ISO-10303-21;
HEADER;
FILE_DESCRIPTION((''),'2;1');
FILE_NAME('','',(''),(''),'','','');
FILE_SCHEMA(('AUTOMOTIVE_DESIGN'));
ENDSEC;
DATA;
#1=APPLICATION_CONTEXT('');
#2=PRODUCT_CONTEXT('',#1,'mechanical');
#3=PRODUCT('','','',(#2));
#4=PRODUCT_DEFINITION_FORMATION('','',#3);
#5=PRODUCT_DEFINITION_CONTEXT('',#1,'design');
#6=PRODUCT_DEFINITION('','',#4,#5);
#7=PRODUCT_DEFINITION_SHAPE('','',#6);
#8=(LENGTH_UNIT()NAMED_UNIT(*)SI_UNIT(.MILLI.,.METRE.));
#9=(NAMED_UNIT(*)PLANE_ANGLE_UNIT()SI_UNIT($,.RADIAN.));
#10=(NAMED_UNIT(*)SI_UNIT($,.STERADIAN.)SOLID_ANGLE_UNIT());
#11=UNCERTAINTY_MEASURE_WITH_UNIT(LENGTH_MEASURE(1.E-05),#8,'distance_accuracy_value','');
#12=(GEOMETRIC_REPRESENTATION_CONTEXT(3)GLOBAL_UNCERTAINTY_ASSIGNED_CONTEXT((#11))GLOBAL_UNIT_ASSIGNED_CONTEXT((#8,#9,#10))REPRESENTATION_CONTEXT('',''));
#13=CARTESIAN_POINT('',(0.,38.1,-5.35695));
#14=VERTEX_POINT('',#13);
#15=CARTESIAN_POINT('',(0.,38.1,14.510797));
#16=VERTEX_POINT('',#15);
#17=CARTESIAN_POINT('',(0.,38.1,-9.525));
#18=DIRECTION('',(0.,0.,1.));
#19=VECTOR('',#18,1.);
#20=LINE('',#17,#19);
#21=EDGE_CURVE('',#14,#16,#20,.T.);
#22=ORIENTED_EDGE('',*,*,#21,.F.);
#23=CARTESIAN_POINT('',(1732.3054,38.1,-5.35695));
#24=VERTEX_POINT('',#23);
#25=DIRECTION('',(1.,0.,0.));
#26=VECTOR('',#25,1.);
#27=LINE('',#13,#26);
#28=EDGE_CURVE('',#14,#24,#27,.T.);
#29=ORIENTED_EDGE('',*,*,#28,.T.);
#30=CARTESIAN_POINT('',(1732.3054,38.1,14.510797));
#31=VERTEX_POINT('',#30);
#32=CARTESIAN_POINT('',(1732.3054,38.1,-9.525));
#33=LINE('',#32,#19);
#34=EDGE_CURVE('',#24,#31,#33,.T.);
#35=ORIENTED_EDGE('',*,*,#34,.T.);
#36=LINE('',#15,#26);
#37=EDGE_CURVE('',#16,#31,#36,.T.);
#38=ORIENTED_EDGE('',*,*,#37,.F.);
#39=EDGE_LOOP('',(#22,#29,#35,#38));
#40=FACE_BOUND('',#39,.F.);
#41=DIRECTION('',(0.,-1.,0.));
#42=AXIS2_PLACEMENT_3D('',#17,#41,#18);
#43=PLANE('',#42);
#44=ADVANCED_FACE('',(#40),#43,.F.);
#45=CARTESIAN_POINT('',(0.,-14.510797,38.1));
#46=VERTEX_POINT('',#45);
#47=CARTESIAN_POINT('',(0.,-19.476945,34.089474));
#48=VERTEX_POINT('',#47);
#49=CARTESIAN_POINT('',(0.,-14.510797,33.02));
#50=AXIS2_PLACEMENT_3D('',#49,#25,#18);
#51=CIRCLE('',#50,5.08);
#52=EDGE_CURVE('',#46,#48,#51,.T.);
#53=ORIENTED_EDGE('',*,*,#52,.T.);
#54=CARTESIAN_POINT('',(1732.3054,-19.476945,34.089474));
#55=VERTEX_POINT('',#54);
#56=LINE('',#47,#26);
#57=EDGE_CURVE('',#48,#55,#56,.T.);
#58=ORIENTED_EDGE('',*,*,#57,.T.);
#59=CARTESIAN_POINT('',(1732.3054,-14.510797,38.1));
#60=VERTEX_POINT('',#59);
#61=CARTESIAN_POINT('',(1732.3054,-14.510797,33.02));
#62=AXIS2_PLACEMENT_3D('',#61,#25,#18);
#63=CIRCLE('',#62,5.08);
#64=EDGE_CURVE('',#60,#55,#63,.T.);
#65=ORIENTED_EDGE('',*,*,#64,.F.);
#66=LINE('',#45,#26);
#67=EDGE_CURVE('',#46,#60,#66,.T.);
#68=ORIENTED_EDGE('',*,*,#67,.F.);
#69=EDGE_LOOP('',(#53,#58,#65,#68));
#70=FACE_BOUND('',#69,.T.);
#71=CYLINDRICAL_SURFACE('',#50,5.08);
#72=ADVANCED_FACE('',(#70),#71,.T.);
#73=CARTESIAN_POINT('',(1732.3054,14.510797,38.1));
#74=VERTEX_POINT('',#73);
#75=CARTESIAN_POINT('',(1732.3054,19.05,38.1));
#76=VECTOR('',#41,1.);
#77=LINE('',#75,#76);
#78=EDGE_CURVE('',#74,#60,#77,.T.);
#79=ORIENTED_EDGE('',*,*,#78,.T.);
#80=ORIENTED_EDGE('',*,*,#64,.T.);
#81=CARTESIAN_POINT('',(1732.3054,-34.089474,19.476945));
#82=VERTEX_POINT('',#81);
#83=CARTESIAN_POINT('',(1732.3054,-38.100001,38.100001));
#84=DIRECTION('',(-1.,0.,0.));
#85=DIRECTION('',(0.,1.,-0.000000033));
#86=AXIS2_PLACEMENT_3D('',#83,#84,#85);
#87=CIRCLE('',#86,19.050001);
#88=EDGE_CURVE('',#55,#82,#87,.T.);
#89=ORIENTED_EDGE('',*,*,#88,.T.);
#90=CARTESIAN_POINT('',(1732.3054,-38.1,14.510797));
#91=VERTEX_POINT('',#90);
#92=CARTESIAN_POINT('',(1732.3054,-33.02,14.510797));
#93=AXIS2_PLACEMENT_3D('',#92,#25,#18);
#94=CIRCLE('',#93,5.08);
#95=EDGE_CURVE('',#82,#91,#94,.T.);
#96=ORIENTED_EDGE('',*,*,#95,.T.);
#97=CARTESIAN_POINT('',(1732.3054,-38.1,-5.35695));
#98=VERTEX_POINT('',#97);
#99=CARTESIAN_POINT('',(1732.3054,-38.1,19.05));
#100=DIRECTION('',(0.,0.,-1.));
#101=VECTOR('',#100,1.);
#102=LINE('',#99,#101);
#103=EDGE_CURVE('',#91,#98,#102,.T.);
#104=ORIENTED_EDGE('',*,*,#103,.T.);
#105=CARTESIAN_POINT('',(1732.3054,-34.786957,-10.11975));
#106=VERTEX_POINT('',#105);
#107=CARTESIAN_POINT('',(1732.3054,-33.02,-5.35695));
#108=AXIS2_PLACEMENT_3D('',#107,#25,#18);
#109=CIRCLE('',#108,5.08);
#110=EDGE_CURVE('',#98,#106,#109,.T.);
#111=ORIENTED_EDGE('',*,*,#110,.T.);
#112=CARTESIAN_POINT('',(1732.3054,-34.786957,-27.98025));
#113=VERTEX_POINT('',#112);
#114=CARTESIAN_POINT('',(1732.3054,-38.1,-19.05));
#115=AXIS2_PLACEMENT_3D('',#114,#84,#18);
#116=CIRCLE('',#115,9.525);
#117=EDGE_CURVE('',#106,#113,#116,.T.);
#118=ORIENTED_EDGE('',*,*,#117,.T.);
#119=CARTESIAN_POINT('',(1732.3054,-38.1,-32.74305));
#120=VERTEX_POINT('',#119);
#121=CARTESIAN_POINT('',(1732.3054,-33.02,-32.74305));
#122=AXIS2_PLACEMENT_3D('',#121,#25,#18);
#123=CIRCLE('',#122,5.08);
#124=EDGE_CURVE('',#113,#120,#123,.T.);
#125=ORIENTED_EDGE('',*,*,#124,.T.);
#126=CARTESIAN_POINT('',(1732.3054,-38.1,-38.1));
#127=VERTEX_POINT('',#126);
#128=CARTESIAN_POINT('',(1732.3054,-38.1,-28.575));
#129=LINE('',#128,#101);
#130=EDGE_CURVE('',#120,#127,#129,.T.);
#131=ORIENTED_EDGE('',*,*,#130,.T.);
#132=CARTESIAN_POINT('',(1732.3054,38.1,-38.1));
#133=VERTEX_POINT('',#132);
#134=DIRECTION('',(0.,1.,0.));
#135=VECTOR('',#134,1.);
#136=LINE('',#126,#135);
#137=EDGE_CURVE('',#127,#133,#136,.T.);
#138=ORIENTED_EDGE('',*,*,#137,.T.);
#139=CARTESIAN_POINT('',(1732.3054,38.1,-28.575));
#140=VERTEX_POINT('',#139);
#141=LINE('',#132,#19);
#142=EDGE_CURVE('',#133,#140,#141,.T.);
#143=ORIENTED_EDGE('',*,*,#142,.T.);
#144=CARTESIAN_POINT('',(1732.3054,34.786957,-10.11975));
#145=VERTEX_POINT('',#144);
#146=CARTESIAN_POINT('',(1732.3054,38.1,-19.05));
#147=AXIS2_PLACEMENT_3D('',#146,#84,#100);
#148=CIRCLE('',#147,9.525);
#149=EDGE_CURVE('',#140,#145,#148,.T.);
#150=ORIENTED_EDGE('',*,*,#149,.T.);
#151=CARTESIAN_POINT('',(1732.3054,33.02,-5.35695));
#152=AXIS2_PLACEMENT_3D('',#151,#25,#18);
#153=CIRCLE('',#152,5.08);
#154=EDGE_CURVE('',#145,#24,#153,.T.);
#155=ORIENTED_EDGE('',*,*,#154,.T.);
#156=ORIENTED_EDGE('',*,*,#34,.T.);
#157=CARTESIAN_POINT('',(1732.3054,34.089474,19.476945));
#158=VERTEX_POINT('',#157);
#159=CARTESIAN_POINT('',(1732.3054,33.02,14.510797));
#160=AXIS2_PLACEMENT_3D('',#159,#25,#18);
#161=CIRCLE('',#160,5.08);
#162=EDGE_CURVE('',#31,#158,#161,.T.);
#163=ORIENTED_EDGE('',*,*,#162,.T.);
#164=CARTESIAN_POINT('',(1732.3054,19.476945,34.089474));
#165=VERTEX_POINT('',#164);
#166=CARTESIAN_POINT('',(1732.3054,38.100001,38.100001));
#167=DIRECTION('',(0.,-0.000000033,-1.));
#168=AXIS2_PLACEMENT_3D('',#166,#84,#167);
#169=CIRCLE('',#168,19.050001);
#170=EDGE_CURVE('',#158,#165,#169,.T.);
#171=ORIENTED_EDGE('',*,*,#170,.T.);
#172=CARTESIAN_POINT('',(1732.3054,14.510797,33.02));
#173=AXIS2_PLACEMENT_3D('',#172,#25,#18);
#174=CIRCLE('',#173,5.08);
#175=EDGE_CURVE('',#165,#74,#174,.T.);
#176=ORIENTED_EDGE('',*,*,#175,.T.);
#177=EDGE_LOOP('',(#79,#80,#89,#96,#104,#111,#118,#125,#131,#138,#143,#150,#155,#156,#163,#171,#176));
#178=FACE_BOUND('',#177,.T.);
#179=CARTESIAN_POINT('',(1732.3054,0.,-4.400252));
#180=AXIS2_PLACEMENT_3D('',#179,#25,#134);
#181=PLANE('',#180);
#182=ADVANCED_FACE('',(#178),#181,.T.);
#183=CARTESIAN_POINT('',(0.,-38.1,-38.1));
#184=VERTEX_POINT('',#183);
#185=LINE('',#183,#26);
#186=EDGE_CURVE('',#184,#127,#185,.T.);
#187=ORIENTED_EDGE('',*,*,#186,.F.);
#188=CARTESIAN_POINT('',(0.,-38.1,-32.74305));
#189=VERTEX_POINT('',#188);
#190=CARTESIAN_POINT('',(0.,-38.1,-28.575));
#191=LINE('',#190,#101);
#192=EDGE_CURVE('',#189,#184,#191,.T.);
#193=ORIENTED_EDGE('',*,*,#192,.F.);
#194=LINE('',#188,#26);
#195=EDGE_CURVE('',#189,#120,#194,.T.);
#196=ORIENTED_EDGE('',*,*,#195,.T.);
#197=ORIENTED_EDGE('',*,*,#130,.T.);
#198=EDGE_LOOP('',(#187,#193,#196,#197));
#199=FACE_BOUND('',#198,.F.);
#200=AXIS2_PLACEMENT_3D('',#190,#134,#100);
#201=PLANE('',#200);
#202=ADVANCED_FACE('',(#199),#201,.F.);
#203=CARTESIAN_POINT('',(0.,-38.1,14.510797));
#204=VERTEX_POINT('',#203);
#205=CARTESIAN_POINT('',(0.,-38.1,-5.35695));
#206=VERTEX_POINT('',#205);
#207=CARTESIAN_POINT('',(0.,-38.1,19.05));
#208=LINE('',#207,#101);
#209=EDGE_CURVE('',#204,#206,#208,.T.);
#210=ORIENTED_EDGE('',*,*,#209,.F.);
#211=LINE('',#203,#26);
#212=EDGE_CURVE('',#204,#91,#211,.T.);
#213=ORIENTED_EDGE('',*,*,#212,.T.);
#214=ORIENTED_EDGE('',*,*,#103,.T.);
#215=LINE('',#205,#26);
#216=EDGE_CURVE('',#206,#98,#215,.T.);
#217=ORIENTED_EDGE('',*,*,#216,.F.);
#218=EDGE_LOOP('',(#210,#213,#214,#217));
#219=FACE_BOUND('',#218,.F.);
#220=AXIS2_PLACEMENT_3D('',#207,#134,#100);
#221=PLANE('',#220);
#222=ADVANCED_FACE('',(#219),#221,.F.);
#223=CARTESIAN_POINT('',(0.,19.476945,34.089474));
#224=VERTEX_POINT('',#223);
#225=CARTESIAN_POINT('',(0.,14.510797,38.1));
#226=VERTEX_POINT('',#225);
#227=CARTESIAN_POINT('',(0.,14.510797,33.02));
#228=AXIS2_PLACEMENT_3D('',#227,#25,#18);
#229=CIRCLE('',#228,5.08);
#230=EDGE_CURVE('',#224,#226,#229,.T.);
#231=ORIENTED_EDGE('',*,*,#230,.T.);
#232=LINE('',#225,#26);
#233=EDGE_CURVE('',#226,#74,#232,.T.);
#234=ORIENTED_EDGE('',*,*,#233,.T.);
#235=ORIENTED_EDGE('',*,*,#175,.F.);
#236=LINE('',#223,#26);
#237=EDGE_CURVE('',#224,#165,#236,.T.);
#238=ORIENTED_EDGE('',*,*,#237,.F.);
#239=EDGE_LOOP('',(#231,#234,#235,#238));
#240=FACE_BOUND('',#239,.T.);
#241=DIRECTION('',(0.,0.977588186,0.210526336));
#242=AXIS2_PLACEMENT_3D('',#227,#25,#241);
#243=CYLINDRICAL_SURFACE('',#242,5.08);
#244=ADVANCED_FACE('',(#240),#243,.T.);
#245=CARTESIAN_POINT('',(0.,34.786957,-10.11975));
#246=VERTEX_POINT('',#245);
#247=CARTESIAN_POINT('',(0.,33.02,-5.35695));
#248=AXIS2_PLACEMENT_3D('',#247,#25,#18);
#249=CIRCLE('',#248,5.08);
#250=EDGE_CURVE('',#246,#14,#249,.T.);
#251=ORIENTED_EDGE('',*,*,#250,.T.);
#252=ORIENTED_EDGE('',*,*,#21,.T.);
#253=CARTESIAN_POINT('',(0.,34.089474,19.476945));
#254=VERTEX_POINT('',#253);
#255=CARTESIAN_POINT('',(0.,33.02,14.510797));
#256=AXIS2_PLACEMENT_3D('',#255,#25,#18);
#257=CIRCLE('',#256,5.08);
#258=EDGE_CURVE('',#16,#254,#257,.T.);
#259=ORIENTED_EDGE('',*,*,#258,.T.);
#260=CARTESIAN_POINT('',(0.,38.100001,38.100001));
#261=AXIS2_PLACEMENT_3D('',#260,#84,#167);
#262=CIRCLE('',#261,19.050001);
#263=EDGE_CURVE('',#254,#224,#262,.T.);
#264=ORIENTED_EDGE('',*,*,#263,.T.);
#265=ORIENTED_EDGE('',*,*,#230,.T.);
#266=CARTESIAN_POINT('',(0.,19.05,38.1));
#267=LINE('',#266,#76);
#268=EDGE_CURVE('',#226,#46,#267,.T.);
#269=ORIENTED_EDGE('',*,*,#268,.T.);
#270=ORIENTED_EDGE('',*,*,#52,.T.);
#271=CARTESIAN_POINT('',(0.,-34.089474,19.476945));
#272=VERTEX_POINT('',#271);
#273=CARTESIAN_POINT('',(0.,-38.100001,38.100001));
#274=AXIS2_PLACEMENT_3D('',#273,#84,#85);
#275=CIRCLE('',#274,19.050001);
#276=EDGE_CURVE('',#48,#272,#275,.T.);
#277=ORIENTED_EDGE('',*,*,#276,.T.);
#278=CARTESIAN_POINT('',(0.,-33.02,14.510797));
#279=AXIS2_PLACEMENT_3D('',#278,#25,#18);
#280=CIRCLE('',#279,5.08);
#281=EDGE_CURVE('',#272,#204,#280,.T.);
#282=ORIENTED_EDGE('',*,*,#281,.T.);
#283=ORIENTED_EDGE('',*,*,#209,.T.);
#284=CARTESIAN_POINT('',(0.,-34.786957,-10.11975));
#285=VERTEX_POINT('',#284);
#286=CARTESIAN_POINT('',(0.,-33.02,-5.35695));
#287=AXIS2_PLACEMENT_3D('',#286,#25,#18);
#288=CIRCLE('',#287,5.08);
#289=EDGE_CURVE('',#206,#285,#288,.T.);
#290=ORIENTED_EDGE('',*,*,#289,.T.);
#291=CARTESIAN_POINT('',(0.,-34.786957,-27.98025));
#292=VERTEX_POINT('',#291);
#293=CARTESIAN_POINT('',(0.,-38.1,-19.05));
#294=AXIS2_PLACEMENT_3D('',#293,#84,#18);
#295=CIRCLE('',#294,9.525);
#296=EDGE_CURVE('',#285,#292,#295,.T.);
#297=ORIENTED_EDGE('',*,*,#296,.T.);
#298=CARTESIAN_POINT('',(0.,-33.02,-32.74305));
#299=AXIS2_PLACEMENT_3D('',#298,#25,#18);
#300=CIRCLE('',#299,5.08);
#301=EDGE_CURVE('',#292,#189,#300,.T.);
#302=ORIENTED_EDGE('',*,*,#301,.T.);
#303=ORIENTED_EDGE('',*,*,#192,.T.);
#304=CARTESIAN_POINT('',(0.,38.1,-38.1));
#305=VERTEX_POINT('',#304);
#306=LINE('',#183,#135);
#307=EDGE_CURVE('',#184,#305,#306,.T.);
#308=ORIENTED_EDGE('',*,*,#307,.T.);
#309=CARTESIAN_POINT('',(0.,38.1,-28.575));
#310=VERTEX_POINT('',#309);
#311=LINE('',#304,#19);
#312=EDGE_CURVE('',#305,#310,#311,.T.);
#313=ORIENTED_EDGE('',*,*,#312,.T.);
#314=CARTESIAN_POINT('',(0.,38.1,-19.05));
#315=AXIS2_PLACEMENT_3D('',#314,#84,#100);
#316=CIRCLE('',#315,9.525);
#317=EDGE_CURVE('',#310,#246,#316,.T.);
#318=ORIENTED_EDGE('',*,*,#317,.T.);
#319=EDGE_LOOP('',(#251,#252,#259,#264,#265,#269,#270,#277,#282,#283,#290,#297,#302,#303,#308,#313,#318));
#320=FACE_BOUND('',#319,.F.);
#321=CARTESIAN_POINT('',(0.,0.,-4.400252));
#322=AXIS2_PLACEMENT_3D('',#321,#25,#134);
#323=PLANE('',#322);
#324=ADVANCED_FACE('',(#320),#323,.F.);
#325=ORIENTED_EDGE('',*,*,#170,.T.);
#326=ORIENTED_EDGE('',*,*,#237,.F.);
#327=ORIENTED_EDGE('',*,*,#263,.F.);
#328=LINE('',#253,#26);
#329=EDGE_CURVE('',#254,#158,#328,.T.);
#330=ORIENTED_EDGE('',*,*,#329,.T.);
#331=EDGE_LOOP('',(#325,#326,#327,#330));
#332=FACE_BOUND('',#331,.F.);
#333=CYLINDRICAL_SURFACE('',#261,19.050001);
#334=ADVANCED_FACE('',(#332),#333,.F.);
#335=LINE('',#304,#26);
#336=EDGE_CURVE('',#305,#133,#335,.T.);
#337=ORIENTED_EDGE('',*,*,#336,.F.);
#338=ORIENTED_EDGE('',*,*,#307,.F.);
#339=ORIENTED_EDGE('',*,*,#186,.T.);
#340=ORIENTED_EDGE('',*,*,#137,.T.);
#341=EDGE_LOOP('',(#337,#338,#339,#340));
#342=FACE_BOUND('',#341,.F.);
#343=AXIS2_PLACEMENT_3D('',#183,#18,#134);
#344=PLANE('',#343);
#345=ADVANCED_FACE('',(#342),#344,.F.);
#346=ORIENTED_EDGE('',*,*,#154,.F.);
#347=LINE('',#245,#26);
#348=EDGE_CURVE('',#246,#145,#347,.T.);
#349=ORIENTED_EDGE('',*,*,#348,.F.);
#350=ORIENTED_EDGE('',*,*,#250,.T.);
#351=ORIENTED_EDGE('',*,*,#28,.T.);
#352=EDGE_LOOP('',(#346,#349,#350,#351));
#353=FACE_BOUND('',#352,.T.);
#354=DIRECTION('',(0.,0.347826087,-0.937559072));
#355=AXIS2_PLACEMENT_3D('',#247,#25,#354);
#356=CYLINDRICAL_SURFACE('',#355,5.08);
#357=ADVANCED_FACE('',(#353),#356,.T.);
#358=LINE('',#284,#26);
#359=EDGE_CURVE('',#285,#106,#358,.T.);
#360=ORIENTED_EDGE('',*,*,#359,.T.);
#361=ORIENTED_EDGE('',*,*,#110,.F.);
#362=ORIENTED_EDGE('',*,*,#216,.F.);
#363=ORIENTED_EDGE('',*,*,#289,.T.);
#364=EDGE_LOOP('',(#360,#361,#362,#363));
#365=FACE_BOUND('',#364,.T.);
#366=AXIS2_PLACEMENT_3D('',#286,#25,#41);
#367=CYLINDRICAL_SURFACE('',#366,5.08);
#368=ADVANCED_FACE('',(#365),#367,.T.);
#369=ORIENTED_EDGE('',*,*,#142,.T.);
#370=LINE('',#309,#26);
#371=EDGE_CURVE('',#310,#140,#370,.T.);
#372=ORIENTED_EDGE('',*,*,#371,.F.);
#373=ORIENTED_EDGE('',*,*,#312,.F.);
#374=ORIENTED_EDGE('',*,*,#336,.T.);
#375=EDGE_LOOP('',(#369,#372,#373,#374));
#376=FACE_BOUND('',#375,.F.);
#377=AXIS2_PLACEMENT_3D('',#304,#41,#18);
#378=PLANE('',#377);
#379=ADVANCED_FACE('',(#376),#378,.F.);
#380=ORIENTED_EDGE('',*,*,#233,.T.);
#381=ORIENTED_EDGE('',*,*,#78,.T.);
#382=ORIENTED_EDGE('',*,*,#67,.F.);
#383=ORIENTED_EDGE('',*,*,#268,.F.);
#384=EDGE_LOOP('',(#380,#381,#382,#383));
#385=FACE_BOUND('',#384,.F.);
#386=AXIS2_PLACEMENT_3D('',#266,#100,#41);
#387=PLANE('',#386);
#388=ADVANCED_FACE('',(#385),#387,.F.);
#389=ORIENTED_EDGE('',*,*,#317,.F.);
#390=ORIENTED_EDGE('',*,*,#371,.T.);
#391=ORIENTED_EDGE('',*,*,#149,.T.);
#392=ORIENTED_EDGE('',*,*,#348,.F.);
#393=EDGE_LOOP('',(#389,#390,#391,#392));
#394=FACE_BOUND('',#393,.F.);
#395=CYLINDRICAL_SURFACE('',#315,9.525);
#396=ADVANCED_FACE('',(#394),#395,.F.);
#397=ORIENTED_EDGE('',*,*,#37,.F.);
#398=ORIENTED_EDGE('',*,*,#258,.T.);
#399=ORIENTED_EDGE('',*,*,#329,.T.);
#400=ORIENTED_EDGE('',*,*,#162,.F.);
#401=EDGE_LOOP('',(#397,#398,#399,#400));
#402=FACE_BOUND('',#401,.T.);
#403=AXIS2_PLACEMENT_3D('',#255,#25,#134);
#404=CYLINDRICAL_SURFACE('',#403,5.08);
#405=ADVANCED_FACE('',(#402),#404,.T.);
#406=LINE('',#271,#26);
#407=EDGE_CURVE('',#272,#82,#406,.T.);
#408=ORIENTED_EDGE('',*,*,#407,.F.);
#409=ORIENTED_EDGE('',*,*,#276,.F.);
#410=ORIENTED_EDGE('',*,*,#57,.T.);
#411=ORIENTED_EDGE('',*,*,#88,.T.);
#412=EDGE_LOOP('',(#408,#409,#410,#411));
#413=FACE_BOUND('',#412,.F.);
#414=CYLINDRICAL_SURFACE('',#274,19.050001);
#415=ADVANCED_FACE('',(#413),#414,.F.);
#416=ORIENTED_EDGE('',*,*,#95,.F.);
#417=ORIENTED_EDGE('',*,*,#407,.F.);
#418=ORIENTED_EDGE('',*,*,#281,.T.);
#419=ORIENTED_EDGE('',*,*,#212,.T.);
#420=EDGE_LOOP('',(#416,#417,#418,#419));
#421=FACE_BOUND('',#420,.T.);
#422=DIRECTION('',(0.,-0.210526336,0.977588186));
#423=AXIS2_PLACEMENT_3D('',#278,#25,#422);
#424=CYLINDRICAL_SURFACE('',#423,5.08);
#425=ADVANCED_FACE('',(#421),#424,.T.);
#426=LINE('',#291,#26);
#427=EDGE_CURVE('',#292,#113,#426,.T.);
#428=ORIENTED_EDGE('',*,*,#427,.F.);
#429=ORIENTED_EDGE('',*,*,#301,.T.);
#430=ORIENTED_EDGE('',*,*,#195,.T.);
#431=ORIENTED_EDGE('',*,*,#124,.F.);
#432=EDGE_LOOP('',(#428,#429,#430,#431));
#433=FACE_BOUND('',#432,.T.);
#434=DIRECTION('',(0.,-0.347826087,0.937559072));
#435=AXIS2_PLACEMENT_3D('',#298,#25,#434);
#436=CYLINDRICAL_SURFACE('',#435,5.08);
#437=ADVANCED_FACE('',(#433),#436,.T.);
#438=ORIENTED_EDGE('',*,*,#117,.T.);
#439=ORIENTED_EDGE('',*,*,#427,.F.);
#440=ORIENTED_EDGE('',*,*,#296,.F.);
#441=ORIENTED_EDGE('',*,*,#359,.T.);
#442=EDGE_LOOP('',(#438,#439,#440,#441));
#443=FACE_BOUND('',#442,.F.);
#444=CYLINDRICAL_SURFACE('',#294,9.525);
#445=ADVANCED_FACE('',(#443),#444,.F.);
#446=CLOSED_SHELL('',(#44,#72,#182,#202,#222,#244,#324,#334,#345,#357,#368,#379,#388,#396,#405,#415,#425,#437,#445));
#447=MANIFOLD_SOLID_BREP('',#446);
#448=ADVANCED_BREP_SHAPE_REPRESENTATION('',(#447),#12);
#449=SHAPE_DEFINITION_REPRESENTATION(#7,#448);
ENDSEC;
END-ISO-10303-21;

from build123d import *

# Parameters (mm, degrees)
F1_DEPTH = 1732.3054
F2_R     = 5.08


with BuildPart() as f1:
    # F0 (on Right) → F1 (new body)
    with BuildSketch(Plane.YZ):
        with BuildLine():
            Line((-38.1, -38.1), (38.1, -38.1))
            Line((38.1, -38.1), (38.1, -28.575))
            ThreePointArc((38.1, -28.575), (28.575, -19.05), (38.1, -9.525))
            Line((38.1, -9.525), (38.1, 19.05))
            ThreePointArc((38.1, 19.05), (24.629616, 24.629616), (19.05, 38.1))
            Line((19.05, 38.1), (-19.05, 38.1))
            ThreePointArc((-19.05, 38.1), (-24.629616, 24.629616), (-38.1, 19.05))
            Line((-38.1, 19.05), (-38.1, -9.525))
            ThreePointArc((-38.1, -9.525), (-28.575, -19.05), (-38.1, -28.575))
            Line((-38.1, -28.575), (-38.1, -38.1))
        make_face()
    extrude(amount=F1_DEPTH)

    # F2
    f2_edges = [f1.edges().sort_by_distance(p)[0] for p in [
        (866.1527, -19.05, 38.1),
        (866.1527, 38.1, 19.05),
        (866.1527, -38.1, 19.05),
        (866.1527, -38.1, -9.525),
        (866.1527, -38.1, -28.575),
        (866.1527, 38.1, -9.525),
        (866.1527, 19.05, 38.1),
    ]]
    fillet(f2_edges, radius=F2_R)


solid = f1.part
